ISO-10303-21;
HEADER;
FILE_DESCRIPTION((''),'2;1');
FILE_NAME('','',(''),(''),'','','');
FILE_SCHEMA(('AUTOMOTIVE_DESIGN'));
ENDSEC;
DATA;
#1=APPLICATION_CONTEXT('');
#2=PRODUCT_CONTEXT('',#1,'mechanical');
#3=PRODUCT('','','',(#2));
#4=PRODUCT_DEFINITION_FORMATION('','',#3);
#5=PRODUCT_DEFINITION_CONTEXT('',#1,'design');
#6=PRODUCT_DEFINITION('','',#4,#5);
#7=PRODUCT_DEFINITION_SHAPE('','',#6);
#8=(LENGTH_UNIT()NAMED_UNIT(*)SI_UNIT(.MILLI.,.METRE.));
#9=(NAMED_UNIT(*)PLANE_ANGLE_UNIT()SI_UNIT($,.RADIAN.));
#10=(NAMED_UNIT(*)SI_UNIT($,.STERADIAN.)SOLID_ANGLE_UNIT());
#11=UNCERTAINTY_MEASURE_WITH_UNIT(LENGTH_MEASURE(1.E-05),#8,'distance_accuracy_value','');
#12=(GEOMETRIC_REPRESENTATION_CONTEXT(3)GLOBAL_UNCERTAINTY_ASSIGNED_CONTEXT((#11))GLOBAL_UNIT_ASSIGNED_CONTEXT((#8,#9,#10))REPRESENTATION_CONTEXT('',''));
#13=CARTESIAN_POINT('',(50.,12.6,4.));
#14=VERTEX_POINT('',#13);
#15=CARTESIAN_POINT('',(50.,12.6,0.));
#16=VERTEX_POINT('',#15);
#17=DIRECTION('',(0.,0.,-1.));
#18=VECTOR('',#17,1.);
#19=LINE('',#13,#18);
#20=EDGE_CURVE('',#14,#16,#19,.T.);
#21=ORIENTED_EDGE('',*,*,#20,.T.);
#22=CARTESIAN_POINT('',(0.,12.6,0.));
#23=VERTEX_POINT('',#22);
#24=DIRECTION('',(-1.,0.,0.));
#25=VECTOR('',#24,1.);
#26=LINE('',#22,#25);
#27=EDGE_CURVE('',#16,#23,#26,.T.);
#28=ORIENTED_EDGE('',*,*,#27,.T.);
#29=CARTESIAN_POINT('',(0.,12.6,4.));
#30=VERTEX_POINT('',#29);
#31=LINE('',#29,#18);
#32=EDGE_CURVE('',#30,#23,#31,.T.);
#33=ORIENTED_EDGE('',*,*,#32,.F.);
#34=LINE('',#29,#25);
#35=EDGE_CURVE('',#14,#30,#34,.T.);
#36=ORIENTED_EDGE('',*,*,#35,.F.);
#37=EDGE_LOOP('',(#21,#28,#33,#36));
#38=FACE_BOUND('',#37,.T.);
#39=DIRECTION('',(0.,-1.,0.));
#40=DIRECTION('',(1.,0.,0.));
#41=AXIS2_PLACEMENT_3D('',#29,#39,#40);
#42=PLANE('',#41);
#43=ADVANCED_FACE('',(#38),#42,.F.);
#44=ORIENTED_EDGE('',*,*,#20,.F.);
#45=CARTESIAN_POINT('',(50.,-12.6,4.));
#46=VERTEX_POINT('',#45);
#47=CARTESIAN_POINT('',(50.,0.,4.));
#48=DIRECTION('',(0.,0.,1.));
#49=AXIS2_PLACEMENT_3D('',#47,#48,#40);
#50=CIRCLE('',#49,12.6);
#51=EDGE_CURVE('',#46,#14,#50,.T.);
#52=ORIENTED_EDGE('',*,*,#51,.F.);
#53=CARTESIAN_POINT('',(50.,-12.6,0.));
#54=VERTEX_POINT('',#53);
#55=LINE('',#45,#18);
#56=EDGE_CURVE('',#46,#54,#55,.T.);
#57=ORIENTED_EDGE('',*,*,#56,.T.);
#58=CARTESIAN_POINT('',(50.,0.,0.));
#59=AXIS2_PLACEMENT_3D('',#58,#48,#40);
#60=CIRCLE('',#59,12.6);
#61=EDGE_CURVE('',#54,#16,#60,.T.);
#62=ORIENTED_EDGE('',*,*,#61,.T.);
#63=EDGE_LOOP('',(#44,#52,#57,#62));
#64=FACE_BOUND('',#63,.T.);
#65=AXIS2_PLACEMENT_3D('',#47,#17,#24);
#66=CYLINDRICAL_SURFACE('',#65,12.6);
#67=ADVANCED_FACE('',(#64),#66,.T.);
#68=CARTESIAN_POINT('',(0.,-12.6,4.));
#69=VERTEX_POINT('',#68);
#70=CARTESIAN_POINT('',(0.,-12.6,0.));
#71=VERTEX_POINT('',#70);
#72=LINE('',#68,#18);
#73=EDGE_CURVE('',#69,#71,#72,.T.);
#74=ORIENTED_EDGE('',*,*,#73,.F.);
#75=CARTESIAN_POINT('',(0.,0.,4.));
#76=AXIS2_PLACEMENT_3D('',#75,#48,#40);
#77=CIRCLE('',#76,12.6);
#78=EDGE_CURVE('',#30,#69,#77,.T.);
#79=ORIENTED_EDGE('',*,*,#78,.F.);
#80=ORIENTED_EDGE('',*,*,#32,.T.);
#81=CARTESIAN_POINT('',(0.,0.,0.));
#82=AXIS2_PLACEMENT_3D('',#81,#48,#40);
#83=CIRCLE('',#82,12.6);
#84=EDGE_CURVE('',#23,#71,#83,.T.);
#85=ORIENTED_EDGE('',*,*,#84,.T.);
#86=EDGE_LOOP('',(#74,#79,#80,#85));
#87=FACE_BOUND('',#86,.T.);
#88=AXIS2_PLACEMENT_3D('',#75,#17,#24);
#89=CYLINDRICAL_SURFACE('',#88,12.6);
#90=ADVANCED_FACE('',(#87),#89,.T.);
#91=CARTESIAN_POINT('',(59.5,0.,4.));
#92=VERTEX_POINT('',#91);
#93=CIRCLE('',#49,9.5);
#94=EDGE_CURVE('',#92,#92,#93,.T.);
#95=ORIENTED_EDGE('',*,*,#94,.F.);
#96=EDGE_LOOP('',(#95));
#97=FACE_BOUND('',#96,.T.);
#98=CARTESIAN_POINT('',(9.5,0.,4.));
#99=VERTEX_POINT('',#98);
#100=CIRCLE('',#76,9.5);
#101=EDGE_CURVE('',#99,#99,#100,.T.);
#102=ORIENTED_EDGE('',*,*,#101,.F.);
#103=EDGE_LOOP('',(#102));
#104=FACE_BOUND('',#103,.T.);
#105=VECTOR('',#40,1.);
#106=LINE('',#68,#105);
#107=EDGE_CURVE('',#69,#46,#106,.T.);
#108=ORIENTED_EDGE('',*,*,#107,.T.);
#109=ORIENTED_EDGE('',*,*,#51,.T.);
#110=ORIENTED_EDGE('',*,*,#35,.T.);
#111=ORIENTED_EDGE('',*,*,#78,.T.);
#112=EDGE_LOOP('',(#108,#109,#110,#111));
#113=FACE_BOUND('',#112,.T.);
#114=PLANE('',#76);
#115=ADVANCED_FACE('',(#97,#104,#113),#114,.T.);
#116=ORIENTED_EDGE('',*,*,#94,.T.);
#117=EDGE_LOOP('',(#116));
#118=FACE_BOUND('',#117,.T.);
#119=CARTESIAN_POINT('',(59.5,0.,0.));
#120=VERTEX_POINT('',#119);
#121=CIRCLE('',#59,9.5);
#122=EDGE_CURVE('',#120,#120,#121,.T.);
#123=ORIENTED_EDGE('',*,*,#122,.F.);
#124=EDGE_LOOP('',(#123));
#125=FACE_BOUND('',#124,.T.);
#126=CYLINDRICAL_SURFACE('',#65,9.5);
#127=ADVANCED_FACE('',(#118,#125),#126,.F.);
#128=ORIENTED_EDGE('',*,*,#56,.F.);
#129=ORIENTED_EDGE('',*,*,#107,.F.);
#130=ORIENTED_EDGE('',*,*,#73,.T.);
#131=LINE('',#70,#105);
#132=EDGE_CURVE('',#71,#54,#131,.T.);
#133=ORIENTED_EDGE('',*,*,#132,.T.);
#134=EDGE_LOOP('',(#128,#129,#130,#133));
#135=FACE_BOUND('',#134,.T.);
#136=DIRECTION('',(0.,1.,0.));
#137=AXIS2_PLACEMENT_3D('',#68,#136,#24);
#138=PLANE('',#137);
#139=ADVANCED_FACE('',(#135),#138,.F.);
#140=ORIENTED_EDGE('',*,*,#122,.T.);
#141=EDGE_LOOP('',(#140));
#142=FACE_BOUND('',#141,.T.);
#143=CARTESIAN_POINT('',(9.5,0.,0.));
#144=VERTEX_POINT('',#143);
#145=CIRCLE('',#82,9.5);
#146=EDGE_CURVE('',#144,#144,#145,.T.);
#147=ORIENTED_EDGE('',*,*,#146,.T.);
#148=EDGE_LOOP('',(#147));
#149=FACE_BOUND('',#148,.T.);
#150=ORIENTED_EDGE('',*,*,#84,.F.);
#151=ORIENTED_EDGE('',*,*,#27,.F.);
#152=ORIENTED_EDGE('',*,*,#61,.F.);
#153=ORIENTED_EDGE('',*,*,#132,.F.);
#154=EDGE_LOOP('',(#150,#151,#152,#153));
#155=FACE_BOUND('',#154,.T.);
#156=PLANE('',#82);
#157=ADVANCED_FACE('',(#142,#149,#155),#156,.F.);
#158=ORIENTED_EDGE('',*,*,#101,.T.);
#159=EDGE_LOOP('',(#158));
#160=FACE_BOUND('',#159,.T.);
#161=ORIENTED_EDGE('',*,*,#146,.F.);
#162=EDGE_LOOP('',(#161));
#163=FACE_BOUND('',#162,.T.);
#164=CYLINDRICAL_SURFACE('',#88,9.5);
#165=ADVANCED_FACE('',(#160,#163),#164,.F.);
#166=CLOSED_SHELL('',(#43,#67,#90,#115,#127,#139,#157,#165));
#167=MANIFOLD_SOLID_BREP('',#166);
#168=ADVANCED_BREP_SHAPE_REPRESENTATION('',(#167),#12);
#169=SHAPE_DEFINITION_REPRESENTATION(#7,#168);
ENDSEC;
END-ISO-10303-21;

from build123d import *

# Parameters (mm, degrees)
SKETCH1_R           = 9.5
BOSS_EXTRUDE1_DEPTH = 4


with BuildPart() as part:
    # Sketch1 → Boss-Extrude1 (new body)
    with BuildSketch(Plane.XY):
        with BuildLine():
            Line((0, 12.6), (50, 12.6))
            ThreePointArc((50, 12.6), (62.6, 0), (50, -12.6))
            Line((50, -12.6), (0, -12.6))
            ThreePointArc((0, -12.6), (-12.6, 0), (0, 12.6))
        make_face()
        with Locations((50, 0)):
            Circle(SKETCH1_R, mode=Mode.SUBTRACT)
        Circle(SKETCH1_R, mode=Mode.SUBTRACT)
    extrude(amount=BOSS_EXTRUDE1_DEPTH)


solid = part.part
